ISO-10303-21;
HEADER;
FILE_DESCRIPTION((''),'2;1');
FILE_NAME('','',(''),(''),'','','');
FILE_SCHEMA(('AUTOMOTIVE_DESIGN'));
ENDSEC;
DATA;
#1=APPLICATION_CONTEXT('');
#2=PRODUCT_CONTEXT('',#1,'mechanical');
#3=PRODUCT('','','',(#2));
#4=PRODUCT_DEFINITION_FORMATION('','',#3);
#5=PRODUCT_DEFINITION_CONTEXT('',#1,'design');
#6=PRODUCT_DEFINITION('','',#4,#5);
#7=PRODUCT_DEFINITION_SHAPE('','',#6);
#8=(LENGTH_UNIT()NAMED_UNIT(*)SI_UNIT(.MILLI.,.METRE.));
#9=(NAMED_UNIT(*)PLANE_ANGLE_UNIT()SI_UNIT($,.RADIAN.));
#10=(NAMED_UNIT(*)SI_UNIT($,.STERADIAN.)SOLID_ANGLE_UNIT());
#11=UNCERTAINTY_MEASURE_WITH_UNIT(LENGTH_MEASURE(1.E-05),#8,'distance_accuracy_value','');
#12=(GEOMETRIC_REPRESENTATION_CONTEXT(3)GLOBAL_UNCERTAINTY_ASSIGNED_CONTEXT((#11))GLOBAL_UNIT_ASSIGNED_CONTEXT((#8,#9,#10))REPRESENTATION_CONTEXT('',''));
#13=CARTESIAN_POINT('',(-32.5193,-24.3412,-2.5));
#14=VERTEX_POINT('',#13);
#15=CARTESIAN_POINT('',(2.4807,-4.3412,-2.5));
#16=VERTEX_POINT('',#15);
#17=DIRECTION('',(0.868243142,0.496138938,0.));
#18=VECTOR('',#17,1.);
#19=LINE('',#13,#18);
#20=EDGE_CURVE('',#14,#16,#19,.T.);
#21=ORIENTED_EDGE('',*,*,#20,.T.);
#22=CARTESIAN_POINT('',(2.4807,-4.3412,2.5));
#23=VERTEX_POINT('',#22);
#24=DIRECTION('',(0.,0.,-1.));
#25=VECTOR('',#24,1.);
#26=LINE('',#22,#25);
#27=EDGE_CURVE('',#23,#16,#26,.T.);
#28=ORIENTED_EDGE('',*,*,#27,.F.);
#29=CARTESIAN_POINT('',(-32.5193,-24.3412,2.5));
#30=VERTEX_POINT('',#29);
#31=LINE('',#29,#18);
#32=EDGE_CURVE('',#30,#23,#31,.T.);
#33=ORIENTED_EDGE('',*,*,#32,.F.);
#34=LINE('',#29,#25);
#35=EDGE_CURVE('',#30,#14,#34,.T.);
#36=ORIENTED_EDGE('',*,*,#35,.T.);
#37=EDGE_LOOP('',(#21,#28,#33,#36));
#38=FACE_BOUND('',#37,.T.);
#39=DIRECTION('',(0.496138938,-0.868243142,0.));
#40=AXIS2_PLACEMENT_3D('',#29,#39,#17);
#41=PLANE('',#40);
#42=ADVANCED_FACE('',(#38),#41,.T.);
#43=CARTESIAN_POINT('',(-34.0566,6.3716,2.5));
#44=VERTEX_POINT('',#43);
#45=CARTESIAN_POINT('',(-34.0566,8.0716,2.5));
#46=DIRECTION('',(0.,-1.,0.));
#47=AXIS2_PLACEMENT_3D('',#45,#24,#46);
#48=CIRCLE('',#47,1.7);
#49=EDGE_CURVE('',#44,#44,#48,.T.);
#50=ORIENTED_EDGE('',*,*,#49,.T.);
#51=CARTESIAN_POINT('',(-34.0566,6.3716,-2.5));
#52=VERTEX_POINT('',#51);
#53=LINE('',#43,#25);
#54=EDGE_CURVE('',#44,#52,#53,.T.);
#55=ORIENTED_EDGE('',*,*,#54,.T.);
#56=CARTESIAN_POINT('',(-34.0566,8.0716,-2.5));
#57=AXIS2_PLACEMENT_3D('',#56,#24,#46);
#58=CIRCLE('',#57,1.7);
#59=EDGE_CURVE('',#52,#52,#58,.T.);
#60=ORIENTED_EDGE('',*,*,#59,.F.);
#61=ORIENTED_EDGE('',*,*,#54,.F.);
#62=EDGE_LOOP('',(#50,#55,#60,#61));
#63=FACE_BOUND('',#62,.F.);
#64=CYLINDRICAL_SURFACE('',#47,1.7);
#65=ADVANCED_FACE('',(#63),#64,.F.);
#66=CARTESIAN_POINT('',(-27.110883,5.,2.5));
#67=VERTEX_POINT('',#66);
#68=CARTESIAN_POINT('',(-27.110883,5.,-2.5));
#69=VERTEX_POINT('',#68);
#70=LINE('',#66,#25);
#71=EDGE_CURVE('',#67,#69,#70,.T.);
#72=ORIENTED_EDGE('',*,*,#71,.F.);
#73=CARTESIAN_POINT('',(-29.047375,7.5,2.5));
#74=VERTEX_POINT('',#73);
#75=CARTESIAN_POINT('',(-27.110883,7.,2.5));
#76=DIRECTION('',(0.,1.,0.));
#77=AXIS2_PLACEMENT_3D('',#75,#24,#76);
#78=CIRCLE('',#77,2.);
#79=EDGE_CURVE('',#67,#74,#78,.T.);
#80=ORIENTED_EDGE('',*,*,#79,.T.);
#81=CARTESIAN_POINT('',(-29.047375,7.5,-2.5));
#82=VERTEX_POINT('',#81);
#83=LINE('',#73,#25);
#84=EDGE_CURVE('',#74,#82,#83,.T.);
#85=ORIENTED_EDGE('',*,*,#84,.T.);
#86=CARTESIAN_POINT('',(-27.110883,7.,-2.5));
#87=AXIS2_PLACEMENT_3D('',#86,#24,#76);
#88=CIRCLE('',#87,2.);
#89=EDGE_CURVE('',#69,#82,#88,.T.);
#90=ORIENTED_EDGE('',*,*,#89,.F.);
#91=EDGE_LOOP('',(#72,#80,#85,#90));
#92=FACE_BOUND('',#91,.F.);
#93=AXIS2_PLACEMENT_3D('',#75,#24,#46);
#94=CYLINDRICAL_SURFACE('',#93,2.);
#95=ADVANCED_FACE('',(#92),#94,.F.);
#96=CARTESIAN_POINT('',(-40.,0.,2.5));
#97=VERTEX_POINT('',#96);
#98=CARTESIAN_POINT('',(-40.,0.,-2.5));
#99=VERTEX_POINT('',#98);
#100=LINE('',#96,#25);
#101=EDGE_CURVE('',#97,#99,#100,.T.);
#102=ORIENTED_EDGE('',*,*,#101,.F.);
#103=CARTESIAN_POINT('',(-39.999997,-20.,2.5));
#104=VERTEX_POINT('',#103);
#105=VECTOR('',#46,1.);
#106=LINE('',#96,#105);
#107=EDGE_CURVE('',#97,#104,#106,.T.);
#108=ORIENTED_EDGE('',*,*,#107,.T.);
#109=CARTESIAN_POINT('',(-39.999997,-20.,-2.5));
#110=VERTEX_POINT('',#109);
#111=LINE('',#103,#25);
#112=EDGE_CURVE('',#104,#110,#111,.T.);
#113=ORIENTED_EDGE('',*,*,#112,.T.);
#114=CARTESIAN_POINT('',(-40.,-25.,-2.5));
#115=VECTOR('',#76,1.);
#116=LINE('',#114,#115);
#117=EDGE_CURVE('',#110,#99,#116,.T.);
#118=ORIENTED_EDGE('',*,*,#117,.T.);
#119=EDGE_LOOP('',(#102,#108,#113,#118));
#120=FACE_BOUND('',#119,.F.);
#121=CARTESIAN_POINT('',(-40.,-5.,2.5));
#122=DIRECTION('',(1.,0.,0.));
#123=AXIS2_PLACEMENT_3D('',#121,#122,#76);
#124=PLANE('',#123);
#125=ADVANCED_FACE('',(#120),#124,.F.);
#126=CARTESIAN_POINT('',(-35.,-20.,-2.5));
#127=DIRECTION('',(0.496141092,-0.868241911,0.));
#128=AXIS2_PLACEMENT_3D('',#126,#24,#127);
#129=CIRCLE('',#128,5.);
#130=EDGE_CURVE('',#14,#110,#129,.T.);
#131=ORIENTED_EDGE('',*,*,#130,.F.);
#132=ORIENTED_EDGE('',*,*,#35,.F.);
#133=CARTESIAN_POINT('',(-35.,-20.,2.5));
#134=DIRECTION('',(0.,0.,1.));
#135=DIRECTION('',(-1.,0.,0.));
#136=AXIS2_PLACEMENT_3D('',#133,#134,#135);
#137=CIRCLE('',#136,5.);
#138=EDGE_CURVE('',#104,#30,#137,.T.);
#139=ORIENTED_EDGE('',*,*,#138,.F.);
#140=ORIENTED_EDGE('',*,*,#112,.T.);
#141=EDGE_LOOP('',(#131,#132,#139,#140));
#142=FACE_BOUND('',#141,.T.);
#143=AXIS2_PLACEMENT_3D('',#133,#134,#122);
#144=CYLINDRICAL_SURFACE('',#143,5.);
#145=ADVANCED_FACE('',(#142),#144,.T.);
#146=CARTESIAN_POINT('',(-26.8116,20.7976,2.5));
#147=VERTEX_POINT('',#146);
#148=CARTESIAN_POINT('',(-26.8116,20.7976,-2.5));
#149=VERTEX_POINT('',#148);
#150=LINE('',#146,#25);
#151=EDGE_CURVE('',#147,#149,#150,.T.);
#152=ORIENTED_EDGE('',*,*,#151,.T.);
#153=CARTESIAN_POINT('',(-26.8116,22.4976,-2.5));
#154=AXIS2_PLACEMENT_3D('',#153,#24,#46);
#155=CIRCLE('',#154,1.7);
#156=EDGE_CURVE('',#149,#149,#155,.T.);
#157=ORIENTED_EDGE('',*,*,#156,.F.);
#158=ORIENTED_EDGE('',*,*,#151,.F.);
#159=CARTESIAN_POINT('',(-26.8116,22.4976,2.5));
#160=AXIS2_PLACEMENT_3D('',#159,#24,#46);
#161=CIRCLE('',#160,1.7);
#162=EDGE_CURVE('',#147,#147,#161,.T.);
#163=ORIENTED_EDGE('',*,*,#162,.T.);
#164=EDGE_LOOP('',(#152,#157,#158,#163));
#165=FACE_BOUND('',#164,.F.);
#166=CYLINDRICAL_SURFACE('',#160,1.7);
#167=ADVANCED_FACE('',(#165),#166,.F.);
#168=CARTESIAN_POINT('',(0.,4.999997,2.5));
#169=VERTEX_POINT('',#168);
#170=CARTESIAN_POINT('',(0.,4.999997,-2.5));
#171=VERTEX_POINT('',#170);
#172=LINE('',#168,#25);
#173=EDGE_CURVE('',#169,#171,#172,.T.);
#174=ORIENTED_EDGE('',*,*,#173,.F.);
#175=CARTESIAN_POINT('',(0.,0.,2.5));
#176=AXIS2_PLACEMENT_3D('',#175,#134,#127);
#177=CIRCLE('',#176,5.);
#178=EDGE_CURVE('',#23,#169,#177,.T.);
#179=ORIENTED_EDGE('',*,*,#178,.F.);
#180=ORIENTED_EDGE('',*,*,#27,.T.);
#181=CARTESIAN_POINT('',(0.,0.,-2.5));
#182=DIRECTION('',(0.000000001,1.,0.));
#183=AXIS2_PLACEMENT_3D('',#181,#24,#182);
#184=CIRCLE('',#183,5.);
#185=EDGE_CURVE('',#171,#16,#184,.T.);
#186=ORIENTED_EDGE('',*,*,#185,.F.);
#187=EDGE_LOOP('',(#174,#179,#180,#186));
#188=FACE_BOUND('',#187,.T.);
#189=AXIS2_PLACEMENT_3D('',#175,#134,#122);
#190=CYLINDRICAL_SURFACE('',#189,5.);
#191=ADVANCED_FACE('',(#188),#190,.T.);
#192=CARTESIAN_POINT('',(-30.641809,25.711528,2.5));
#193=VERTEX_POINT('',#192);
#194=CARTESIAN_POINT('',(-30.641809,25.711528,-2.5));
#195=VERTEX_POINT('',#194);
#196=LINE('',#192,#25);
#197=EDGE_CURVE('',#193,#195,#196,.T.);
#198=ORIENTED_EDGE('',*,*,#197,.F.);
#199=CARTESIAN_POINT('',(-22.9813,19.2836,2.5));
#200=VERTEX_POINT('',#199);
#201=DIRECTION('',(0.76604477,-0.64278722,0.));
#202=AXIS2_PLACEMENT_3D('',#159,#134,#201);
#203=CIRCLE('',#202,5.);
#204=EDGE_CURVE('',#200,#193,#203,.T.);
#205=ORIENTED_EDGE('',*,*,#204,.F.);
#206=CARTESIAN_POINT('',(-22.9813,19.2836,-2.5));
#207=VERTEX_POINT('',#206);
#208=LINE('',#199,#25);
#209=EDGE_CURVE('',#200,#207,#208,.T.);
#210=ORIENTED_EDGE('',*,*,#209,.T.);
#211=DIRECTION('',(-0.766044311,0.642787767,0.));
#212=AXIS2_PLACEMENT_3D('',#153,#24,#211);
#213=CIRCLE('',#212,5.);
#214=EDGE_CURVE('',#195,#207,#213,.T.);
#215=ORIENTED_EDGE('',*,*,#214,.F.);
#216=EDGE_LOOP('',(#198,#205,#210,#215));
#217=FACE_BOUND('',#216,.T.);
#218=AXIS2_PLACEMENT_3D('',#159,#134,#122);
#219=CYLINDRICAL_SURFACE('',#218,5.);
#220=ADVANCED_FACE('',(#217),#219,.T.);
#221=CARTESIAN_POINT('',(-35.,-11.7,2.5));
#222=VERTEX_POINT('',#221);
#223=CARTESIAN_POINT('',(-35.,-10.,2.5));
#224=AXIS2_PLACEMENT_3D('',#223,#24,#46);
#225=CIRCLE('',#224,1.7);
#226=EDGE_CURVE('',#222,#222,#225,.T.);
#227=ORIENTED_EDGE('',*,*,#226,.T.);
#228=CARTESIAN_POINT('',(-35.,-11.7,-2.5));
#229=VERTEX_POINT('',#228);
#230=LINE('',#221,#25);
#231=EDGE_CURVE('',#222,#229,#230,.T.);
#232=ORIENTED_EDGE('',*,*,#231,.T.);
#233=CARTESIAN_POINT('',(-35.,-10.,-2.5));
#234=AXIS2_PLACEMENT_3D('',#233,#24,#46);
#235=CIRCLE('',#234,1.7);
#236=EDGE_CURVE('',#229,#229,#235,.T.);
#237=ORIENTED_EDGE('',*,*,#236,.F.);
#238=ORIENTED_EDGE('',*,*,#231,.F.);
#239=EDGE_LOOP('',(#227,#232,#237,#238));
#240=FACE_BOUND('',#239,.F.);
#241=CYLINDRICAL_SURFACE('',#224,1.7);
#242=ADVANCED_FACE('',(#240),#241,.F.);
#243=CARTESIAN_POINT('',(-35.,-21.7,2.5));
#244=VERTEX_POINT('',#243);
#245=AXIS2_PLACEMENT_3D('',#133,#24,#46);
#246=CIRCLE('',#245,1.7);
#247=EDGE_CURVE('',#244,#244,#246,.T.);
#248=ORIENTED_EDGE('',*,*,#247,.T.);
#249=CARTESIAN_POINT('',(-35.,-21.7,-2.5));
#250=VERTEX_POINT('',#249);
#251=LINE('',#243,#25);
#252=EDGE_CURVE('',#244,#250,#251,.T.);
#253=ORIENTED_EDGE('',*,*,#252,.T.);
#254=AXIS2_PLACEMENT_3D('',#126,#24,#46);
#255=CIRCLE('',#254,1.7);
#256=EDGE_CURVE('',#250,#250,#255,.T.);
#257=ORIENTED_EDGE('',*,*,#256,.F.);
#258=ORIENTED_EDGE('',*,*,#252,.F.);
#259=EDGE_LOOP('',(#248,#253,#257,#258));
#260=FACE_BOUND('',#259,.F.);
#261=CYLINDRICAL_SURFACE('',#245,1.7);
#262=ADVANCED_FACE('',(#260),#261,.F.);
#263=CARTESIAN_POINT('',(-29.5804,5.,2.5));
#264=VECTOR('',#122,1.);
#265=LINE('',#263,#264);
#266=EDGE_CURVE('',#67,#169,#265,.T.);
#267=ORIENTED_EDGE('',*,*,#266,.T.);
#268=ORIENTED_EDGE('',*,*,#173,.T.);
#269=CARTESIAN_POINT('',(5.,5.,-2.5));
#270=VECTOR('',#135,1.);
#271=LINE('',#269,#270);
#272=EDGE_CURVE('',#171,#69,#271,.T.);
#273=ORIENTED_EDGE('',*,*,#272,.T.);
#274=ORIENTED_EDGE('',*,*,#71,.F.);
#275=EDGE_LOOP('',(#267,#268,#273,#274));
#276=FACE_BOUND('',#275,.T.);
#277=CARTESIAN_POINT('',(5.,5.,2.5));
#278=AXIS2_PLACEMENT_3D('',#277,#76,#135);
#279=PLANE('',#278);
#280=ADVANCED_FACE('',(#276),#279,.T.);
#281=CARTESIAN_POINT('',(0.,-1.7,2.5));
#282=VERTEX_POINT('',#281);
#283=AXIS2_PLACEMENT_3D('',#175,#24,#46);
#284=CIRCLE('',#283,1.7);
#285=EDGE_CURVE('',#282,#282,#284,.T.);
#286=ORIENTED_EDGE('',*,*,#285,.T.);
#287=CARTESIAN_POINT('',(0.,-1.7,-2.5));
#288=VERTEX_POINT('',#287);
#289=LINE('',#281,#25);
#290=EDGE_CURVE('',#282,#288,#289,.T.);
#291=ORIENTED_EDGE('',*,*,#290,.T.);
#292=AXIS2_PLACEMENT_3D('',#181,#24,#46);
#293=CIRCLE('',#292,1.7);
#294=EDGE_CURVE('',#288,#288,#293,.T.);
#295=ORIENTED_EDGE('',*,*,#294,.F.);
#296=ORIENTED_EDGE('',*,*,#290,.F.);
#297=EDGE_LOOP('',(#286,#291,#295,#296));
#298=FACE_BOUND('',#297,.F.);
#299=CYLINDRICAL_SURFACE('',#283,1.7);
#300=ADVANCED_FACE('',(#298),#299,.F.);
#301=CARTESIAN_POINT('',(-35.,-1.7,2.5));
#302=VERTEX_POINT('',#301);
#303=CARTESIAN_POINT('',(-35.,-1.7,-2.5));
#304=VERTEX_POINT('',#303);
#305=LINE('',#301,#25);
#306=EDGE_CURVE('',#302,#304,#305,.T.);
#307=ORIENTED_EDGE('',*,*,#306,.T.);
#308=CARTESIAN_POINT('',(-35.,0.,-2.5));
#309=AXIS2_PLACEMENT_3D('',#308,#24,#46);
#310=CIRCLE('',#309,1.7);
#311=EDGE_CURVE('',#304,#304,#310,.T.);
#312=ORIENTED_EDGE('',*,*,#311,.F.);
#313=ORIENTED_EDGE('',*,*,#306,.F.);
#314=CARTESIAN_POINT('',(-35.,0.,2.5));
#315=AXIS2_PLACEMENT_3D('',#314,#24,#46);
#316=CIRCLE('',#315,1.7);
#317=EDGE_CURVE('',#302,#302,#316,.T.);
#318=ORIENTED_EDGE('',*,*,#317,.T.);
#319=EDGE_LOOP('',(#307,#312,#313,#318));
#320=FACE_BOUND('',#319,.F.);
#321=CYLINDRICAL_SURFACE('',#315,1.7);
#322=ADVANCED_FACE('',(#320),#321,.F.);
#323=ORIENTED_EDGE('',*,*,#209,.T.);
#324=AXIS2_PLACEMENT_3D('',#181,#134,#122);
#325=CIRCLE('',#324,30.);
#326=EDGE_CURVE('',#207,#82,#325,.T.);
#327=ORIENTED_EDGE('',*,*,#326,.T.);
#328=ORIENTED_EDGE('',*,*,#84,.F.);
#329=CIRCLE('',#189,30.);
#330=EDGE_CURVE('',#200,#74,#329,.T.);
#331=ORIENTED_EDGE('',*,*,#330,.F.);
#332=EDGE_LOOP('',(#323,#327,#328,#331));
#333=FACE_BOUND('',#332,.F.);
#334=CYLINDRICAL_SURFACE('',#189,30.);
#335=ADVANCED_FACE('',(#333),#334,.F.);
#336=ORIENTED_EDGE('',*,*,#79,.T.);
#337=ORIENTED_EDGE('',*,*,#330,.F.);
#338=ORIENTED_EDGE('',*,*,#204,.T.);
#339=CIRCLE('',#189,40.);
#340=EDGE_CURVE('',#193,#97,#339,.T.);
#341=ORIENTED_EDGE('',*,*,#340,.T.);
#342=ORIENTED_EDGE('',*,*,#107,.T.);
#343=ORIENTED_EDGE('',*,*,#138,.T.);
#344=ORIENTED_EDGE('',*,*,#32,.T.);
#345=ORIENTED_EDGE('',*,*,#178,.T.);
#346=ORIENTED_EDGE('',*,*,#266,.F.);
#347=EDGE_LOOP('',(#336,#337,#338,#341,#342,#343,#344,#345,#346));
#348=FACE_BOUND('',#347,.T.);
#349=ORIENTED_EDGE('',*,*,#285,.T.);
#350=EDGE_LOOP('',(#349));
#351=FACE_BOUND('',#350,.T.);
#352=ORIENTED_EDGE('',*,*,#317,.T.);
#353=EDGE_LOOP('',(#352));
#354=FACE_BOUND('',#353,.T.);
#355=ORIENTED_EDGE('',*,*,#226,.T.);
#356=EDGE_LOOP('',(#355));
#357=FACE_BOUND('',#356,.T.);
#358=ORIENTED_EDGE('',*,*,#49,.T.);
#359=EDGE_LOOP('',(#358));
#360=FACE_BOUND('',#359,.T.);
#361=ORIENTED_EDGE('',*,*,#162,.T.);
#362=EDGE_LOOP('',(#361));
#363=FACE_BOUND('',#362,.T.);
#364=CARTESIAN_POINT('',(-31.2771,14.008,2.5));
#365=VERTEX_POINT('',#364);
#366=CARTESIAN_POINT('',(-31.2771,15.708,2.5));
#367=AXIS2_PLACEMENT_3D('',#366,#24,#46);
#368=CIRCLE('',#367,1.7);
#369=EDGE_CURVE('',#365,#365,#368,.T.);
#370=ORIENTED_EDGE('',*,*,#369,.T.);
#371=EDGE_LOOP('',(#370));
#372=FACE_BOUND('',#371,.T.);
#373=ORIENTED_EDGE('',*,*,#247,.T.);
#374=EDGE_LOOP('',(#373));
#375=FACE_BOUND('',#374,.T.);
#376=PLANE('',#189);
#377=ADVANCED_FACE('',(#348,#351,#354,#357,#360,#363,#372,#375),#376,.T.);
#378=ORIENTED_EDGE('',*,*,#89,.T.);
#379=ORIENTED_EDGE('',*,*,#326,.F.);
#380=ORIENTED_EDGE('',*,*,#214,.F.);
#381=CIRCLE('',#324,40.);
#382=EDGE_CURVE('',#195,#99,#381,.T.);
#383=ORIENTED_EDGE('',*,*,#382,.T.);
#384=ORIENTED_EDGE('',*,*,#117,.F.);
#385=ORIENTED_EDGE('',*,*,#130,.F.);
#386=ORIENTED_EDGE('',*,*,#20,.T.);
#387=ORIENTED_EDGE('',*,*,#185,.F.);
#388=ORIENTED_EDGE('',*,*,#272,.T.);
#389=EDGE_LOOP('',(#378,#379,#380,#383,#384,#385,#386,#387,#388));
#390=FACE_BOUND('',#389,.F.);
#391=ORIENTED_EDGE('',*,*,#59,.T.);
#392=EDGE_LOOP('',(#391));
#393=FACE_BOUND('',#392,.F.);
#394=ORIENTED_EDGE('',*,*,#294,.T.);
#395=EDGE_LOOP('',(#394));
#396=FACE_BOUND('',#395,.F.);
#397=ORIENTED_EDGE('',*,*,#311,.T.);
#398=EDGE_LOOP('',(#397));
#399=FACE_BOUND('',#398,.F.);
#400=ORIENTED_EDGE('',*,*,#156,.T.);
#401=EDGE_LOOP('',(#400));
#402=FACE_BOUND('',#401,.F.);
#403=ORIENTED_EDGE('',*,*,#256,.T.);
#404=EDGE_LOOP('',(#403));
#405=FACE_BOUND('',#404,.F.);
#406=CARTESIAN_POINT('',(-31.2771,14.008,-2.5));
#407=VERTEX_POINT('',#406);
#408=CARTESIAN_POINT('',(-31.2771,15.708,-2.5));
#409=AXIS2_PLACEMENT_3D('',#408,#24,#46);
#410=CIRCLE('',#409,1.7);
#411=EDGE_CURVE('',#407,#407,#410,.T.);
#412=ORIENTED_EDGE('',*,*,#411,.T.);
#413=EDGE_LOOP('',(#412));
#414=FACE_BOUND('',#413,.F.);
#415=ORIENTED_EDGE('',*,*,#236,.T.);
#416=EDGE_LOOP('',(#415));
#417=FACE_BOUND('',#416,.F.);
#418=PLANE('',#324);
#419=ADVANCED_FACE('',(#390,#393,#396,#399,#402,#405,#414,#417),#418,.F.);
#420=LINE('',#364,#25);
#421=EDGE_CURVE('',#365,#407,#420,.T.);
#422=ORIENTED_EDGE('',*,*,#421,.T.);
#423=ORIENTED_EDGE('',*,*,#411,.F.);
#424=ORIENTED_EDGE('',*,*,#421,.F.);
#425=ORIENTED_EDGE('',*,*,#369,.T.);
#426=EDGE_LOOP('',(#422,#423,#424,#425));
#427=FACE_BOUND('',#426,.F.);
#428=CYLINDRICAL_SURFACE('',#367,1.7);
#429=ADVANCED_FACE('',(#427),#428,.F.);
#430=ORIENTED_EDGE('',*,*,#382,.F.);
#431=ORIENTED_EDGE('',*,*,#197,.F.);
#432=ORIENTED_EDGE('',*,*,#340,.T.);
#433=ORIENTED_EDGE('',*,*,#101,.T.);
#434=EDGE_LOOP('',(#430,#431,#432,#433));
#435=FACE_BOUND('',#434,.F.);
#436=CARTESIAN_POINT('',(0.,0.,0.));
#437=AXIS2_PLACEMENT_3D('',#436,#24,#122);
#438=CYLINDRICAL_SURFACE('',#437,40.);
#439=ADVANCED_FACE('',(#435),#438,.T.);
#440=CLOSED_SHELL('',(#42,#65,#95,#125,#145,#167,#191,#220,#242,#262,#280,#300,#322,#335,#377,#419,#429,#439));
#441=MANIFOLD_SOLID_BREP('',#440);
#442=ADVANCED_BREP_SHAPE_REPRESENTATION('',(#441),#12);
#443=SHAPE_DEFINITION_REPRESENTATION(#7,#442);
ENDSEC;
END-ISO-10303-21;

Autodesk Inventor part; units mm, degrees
ref_plane "YZ Plane" through (0, 0, 0) normal (1, 0, 0) x (0, 1, 0)
ref_plane "XZ Plane" through (0, 0, 0) normal (0, 1, 0) x (-1, 0, 0)
ref_plane "XY Plane" through (0, 0, 0) normal (0, 0, 1) x (1, 0, 0)
sketch "スケッチ1" plane through (0, 0, 0) normal (0, 0, 1) x (1, 0, 0)
  circle A0 centre (0, 0) radius 40
  line L0 (0, 0) -> (0, 40)
  line L1 (-40, 0) -> (0, 0)
  dimension "d0" = 80
extrude "押し出し1" add sketch "スケッチ1" along normal mid plane 5 contours L0 L1 A0 picked at (-23.4047, 12.51)
sketch "スケッチ2" plane through (0, 0, 2.5) normal (0, 0, 1) x (1, 0, 0)
  line L0 (0, 0) -> (0, 40) projected
  arc A0 (0, 40) -> (-40, 0) centre (0, 0) ccw projected
  line L1 (-40, 0) -> (0, 0) projected
  line L2 (-40, 0) -> (0, 0)
  line L3 (0, 0) -> (0, -5)
  line L4 (0, -5) -> (-40, -5)
  line L5 (-40, -5) -> (-40, 0)
  line L6 (0, -5) -> (5, -5)
  line L7 (5, -5) -> (5, 5)
  line L8 (5, 5) -> (0, 5)
  line L9 (0, 5) -> (0, -5)
  dimension "d3" = 5
  dimension "d4" = 5
  dimension "d5" = 10
extrude "押し出し2" add sketch "スケッチ2" against normal blind 5 contours L3 L4 L5 L1 | L0 L8 L7 L6 L3
sketch "スケッチ3" plane through (0, 0, 2.5) normal (0, 0, 1) x (1, 0, 0)
  circle A0 centre (0, 0) radius 35
  point P0 (-35, 0)
  point P1 (-34.0566, 8.0716)
  point P2 (-31.2771, 15.708)
  point P3 (-26.8116, 22.4976)
  dimension "d8" = 70
  dimension "d11" = 40
hole "穴1" at (0, 0, 2.5) at (-35, 0, 2.5) at (-34.0566, 8.0716, 2.5) at (-31.2771, 15.708, 2.5) at (-26.8116, 22.4976, 2.5) direction (0, 0, -1) diameter 3.4 end through all
sketch "スケッチ4" plane through (0, 0, 2.5) normal (0, 0, 1) x (1, 0, 0)
  arc A0 (-1.7, 0) -> (-1.7, 0) centre (0, 0) ccw projected
  circle A1 centre (0, 0) radius 30
  circle A2 centre (-26.8116, 22.4976) radius 1.7 projected
  circle A3 centre (-31.2771, 15.708) radius 1.7 projected
  circle A4 centre (-34.0566, 8.0716) radius 1.7 projected
  circle A5 centre (-35, 0) radius 1.7 projected
  circle A6 centre (0, 0) radius 1.7 projected
  line L0 (0, 5) -> (0, 40) projected
  arc A7 (0, 40) -> (-40, 0) centre (0, 0) ccw projected
  line L1 (-40, 0) -> (-40, -5) projected
  line L2 (-40, -5) -> (5, -5) projected
  line L3 (5, -5) -> (5, 5) projected
  line L4 (5, 5) -> (0, 5) projected
  line L5 (0, 0) -> (-30.6418, 25.7115)
  line L6 (-30.6418, 25.7115) -> (-22.9813, 19.2836)
  line L7 (-22.9813, 19.2836) -> (-19.7674, 23.1139)
  line L8 (-19.7674, 23.1139) -> (-27.4278, 29.5417)
  line L9 (-27.4278, 29.5417) -> (-30.6418, 25.7115)
  line L10 (0, 5) -> (-29.5804, 5)
  point P0 (-27.1875, 29.3401)
  dimension "d20" = 60
  dimension "d21" = 40
  dimension "d22" = 5
extrude "押し出し3" cut sketch "スケッチ4" against normal blind 55 contours L10 A1 L5 | L5 A1 L0 L10 | L7 L8 A7 L0 A1
sketch "スケッチ7" plane through (0, 0, 2.5) normal (0, 0, 1) x (1, 0, 0)
  line L0 (-40, -5) -> (5, -5) projected
  line L1 (-40, -5) -> (-30, -5)
  line L2 (-30, -5) -> (-30, -25)
  line L3 (-30, -25) -> (-40, -25)
  line L4 (-40, -25) -> (-40, -5)
  line L5 (-30, -25) -> (5, -5)
  point P0 (0, 0)
  dimension "d40" = 10
  dimension "d41" = 20
extrude "押し出し5" add sketch "スケッチ7" against normal blind 5
sketch "スケッチ8" plane through (0, 0, 2.5) normal (0, 0, 1) x (1, 0, 0)
  line L0 (-40, 0) -> (-40, -25) projected
  line L1 (-40, -25) -> (-30, -25) projected
  point P0 (0, 0)
  point P1 (-35, -10)
  point P2 (-35, -20)
  dimension "d44" = 5
  dimension "d45" = 5
  dimension "d46" = 10
  dimension "d47" = 5
hole "穴3" at (-35, -20, 2.5) at (-35, -10, 2.5) direction (0, 0, -1) diameter 3.4 end through all
sketch "スケッチ9" plane through (0, 0, 2.5) normal (0, 0, 1) x (1, 0, 0)
  circle A0 centre (0, 0) radius 1.7 projected
  circle A1 centre (0, 0) radius 5
  line L0 (-29.5804, 5) -> (5, 5) projected
  circle A2 centre (-35, -20) radius 1.7 projected
  circle A3 centre (-35, -20) radius 5
  line L1 (-40, -25) -> (-40, 0) projected
  line L2 (-35, -20) -> (0, 0) construction
  line L3 (-32.5193, -24.3412) -> (2.4807, -4.3412)
  line L4 (-2.4807, 4.3412) -> (-37.4807, -15.6588)
  arc A4 (-37.4807, -15.6588) -> (-32.5193, -24.3412) centre (-35, -20) ccw
  arc A5 (2.4807, -4.3412) -> (-2.4807, 4.3412) centre (0, 0) ccw
  circle A6 centre (-35, -10) radius 1.7 projected
  circle A7 centre (-35, -20) radius 1.7 projected
  line L5 (-19.7674, 23.1139) -> (-27.1875, 29.3401) projected
  arc A8 (-27.1875, 29.3401) -> (-40, 0) centre (0, 0) ccw projected
  line L6 (-40, 0) -> (-40, -25) projected
  line L7 (-40, -25) -> (-30, -25) projected
  line L8 (-30, -25) -> (5, -5) projected
  line L9 (5, -5) -> (5, 5) projected
  line L10 (5, 5) -> (-29.5804, 5) projected
  arc A9 (-22.9813, 19.2836) -> (-29.5804, 5) centre (0, 0) ccw projected
  line L11 (-22.9813, 19.2836) -> (-19.7674, 23.1139) projected
  circle A10 centre (-26.8116, 22.4976) radius 1.7 projected
  circle A11 centre (-31.2771, 15.708) radius 1.7 projected
  circle A12 centre (-34.0566, 8.0716) radius 1.7 projected
  circle A13 centre (-35, 0) radius 1.7 projected
  circle A14 centre (0, 0) radius 1.7 projected
  circle A15 centre (-26.8116, 22.4976) radius 5
  point P0 (-17.5, -10)
  point P1 (5, 0)
  point P2 (2.4807, -4.3412)
  point P3 (-35, -25)
  point P4 (0, 5)
  point P5 (-40, -20)
  point P6 (-22.9813, 19.2836)
  point P7 (-23.5976, 26.3278)
  point P8 (-30.6418, 25.7115)
extrude "押し出し6" cut sketch "スケッチ9" against normal blind 5 contours A1 L9 L8 L7 A3 L3 | L0 L9 A1 | A3 L7 L1 | A15 L5 L11 | A8 L5 A15
fillet "フィレット1" radius 2 1 edges at (-29.5804, 5, 0)
equation "\"d45\" = d44"
equation "\"d47\" = d44"
properties part number "side_part"
